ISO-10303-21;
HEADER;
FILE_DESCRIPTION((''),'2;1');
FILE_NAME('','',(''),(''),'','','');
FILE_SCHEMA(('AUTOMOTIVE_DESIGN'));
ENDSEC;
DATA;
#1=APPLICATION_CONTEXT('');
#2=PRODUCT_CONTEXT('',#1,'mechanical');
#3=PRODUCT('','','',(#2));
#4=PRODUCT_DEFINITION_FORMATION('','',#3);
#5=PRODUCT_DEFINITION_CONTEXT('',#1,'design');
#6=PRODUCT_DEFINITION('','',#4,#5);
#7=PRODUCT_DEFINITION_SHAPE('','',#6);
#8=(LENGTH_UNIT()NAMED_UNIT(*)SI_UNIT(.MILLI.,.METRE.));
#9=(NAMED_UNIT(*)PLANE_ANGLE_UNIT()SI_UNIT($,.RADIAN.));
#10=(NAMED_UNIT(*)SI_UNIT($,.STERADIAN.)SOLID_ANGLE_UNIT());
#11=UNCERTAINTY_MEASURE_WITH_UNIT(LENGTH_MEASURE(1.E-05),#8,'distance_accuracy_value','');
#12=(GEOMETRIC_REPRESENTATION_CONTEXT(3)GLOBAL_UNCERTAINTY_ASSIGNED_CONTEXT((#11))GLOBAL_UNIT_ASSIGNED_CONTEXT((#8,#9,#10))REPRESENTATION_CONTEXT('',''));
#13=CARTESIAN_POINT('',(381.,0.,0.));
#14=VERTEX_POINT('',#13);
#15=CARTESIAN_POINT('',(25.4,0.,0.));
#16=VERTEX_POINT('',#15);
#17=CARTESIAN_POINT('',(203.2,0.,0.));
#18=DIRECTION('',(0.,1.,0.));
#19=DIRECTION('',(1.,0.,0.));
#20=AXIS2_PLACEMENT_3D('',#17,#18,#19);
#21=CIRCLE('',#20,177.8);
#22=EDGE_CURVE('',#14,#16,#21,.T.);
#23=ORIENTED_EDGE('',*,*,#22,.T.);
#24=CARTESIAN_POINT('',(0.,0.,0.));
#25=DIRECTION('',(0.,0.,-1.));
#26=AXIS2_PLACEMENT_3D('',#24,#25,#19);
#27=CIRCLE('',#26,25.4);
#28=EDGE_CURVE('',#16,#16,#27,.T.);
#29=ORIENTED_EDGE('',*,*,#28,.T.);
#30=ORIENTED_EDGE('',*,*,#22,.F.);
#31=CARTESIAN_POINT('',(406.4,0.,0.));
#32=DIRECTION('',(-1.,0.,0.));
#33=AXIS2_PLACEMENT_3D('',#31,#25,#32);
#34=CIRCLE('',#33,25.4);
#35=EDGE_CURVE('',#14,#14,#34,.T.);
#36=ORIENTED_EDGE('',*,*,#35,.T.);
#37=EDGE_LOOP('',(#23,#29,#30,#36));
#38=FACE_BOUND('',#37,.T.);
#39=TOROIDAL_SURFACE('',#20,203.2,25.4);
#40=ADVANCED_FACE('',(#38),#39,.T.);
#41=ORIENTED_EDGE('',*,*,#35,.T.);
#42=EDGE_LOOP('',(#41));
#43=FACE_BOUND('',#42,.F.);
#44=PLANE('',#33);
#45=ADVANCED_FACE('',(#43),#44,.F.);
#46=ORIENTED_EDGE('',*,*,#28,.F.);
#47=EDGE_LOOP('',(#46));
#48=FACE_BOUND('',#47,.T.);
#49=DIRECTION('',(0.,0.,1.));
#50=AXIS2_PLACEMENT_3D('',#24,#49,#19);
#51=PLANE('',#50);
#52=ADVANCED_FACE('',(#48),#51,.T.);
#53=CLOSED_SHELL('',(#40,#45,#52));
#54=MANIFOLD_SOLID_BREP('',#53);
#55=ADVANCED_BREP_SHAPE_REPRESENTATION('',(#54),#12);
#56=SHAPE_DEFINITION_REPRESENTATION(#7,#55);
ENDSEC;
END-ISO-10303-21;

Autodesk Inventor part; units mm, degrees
ref_plane "YZ Plane" through (0, 0, 0) normal (1, 0, 0) x (0, 1, 0)
ref_plane "XZ Plane" through (0, 0, 0) normal (0, 1, 0) x (-1, 0, 0)
ref_plane "XY Plane" through (0, 0, 0) normal (0, 0, 1) x (1, 0, 0)
sketch "Sketch3" plane through (0, 0, 0) normal (0, 0, 1) x (1, 0, 0)
  circle A0 centre (0, 0) radius 25.4
  circle A1 centre (406.4, 0) radius 25.4
  dimension "d2" = 50.8
  dimension "d3" = 50.8
  dimension "d4" = 406.4
sketch "Sketch4" plane through (0, 0, 0) normal (0, 1, 0) x (-1, 0, 0)
  arc A0 (-406.4, 0) -> (0, 0) centre (-203.2, 0) ccw
  line L0 (0, 0) -> (-406.4, 0) construction
  dimension "d6" = 406.4
sweep "Sweep1" add profiles "Sketch3" path "Sketch4"
equation "\"d3\" = d2"
properties part number "Tube"
